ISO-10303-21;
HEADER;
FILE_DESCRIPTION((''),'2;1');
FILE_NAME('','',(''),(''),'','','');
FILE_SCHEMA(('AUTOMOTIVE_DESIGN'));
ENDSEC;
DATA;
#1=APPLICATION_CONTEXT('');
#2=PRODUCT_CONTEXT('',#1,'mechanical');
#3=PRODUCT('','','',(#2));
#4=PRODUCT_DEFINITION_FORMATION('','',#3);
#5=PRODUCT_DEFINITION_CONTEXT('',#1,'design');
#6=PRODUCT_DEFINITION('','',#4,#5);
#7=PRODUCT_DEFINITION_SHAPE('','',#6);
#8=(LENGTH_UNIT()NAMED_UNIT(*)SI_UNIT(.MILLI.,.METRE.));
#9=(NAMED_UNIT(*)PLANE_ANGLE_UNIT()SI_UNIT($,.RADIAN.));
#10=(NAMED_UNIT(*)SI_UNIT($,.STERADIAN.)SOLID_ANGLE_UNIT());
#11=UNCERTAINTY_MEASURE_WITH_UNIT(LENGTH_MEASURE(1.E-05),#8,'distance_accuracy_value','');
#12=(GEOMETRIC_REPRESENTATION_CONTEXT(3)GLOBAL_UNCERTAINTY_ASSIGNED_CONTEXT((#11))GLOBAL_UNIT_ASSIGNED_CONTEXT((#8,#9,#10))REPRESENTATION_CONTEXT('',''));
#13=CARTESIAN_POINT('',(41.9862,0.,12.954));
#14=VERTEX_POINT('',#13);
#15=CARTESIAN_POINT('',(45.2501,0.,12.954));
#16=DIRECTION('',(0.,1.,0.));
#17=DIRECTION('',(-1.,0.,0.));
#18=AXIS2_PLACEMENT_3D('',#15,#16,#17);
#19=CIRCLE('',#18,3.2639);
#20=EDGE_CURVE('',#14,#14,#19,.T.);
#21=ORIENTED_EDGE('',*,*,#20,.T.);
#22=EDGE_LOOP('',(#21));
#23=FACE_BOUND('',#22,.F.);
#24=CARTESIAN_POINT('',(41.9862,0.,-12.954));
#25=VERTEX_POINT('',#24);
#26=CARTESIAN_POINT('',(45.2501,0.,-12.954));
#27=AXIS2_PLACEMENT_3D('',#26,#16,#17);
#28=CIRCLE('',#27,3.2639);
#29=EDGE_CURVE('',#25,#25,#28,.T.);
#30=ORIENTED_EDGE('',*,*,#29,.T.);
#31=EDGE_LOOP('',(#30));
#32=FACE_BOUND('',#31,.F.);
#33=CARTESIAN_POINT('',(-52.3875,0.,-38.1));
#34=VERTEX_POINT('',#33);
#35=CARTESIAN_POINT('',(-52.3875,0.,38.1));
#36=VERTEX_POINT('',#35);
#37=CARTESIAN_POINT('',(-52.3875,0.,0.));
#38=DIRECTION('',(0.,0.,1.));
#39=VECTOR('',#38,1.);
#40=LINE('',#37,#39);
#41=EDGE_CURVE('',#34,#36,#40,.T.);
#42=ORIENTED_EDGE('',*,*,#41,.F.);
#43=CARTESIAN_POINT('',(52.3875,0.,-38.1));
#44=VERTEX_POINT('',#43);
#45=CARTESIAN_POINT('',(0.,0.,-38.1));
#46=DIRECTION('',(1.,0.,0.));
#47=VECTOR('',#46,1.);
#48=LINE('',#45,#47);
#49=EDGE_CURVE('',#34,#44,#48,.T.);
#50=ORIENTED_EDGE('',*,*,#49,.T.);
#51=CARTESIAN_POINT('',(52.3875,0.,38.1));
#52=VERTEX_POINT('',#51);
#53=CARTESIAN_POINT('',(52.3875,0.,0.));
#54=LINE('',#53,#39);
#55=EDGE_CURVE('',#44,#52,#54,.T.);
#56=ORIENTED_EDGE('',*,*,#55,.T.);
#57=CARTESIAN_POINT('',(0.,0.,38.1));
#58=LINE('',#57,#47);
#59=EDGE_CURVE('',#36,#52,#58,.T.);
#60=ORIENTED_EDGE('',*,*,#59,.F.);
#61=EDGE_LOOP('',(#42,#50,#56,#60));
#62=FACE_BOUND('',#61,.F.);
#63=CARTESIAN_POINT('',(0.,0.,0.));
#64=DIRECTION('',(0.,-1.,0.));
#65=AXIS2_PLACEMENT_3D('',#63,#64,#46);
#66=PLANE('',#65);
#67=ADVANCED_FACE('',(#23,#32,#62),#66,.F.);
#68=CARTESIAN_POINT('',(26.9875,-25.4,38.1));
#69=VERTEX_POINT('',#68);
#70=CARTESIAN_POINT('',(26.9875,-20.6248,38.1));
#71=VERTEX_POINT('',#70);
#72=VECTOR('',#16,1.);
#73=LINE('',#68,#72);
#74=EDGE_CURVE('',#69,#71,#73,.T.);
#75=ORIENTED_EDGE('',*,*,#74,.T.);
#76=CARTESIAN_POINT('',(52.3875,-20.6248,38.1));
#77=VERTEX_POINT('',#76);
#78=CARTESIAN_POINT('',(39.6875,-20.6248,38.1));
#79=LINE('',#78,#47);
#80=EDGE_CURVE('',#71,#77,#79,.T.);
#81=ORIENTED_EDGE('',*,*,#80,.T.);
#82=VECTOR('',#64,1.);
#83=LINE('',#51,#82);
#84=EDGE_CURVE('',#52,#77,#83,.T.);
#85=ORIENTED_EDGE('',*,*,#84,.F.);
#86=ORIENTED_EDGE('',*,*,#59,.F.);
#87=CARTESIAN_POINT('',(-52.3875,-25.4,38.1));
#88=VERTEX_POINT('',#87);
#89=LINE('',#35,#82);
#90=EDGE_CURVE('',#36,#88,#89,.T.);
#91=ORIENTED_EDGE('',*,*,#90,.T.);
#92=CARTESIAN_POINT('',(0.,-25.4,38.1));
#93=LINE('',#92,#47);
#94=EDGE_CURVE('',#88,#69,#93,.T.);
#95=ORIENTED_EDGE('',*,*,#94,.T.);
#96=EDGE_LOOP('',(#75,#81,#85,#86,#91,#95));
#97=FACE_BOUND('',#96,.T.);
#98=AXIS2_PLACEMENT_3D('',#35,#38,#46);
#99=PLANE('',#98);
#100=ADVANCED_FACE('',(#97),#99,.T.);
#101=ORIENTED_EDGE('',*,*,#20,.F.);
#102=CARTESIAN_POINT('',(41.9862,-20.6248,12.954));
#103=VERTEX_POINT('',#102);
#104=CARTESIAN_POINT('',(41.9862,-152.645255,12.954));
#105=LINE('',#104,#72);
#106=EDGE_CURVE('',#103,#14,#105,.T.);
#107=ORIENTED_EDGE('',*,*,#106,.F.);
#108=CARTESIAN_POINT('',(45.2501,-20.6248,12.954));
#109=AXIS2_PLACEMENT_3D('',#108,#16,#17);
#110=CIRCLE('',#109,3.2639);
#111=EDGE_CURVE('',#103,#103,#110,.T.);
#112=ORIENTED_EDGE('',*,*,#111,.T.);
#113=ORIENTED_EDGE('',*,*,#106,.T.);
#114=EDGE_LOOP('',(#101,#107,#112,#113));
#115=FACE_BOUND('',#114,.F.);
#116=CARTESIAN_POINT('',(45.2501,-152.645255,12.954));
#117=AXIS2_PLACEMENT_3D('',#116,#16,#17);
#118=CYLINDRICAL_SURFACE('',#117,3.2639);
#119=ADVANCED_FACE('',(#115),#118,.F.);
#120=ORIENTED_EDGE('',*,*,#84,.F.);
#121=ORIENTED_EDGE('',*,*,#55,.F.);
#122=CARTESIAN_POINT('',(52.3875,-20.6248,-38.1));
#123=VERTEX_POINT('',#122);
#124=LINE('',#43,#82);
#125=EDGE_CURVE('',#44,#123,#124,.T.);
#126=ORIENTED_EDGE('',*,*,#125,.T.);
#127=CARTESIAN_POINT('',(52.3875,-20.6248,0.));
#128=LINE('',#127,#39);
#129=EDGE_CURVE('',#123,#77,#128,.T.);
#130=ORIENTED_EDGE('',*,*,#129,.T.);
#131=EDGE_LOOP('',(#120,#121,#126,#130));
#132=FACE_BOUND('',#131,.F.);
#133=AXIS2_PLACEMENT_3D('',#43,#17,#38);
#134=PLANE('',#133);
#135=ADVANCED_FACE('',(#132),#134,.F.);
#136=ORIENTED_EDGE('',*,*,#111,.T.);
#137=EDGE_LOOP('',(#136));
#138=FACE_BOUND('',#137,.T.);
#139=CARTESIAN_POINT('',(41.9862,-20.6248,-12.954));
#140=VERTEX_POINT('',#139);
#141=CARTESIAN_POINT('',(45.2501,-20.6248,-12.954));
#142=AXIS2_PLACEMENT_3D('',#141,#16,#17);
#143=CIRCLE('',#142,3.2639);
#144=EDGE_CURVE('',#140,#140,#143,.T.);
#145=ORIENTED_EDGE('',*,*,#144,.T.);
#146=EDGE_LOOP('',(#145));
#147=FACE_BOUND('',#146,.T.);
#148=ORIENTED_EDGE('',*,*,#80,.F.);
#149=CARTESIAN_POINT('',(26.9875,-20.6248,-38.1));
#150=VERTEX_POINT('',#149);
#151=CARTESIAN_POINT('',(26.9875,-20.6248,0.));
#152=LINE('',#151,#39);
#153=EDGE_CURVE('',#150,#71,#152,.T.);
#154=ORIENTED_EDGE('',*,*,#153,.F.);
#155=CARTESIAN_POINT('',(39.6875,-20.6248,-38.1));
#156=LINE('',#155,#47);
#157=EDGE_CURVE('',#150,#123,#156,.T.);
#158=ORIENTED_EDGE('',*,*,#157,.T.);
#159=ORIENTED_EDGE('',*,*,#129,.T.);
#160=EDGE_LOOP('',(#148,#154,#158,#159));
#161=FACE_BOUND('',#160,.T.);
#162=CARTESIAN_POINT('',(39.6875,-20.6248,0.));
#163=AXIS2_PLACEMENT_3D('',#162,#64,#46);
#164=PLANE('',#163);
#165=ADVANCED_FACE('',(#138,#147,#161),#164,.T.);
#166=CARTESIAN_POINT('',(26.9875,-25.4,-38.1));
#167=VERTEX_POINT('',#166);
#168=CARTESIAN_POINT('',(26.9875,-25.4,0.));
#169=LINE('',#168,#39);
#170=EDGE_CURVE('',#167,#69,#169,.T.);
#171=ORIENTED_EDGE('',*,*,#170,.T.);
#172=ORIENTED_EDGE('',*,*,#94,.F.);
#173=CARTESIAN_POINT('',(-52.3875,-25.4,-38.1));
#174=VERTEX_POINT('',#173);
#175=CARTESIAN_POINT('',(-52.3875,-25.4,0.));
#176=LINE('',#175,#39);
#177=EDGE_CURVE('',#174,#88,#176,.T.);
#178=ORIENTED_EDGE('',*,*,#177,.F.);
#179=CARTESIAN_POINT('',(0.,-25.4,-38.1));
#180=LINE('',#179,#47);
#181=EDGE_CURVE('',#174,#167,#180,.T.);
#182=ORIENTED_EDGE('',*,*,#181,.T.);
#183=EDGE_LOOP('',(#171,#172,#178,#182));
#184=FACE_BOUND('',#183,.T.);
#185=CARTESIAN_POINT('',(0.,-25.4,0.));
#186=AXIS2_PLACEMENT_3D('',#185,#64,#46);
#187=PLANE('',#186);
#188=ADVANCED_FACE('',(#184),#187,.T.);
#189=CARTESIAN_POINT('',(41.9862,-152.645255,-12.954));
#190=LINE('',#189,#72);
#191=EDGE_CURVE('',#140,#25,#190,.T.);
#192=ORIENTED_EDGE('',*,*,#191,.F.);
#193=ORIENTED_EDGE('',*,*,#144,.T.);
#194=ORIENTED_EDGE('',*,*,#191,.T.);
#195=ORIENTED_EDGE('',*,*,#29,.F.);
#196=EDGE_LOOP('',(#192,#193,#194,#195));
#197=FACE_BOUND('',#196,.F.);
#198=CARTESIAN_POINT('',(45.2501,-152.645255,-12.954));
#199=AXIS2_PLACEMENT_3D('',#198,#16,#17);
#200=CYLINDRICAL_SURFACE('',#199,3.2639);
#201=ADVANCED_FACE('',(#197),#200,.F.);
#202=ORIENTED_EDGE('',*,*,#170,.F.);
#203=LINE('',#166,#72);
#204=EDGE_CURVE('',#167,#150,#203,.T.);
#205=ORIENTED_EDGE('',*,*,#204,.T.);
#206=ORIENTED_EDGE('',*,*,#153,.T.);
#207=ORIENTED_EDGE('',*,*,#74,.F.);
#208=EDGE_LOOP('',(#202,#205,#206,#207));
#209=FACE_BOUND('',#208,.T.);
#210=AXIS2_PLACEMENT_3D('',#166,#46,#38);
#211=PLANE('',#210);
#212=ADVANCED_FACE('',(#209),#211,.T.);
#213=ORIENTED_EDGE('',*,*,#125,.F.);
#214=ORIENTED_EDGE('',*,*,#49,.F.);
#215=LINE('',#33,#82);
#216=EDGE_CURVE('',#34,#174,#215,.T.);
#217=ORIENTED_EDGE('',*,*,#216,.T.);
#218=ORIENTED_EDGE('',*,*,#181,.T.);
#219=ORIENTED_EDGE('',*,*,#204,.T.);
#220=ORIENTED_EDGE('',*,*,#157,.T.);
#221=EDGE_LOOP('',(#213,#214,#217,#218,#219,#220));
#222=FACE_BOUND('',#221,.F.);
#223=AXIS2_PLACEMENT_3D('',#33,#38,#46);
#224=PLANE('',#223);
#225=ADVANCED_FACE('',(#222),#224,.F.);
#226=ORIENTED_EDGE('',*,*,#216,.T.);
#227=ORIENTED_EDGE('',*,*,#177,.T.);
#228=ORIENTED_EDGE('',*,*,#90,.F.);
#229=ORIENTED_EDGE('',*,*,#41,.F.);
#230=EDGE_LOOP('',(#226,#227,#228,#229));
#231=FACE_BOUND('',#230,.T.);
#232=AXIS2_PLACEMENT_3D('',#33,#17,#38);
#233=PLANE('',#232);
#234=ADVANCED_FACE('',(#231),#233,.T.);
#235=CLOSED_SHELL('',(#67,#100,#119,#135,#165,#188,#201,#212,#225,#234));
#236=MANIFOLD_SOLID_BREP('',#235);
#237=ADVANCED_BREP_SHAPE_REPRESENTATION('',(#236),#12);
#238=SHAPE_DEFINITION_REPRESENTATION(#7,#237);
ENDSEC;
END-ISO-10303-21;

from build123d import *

# Parameters (mm, degrees)
F0_W     = 104.775
F0_H     = 76.2
F1_DEPTH = 25.4
F2_W     = 25.4
F2_H     = 76.2
F3_DEPTH = 4.7752
F5_D     = 6.5278


with BuildPart() as f1:
    # F0 (on Front) → F1 (new body)
    with BuildSketch(Plane.XZ):
        Rectangle(F0_W, F0_H)
    extrude(amount=F1_DEPTH)

    # F2 (on face) → F3 (cut)
    with BuildSketch(Plane.XZ.offset(25.4)):
        with Locations((39.6875, 0)):
            Rectangle(F2_W, F2_H)
    extrude(amount=-F3_DEPTH, mode=Mode.SUBTRACT)

    # F5 (through all)
    with Locations(Plane.XZ.offset(20.6248)):
        with Locations((45.2501, -12.954), (45.2501, 12.954)):
            Hole(F5_D / 2)


solid = f1.part
